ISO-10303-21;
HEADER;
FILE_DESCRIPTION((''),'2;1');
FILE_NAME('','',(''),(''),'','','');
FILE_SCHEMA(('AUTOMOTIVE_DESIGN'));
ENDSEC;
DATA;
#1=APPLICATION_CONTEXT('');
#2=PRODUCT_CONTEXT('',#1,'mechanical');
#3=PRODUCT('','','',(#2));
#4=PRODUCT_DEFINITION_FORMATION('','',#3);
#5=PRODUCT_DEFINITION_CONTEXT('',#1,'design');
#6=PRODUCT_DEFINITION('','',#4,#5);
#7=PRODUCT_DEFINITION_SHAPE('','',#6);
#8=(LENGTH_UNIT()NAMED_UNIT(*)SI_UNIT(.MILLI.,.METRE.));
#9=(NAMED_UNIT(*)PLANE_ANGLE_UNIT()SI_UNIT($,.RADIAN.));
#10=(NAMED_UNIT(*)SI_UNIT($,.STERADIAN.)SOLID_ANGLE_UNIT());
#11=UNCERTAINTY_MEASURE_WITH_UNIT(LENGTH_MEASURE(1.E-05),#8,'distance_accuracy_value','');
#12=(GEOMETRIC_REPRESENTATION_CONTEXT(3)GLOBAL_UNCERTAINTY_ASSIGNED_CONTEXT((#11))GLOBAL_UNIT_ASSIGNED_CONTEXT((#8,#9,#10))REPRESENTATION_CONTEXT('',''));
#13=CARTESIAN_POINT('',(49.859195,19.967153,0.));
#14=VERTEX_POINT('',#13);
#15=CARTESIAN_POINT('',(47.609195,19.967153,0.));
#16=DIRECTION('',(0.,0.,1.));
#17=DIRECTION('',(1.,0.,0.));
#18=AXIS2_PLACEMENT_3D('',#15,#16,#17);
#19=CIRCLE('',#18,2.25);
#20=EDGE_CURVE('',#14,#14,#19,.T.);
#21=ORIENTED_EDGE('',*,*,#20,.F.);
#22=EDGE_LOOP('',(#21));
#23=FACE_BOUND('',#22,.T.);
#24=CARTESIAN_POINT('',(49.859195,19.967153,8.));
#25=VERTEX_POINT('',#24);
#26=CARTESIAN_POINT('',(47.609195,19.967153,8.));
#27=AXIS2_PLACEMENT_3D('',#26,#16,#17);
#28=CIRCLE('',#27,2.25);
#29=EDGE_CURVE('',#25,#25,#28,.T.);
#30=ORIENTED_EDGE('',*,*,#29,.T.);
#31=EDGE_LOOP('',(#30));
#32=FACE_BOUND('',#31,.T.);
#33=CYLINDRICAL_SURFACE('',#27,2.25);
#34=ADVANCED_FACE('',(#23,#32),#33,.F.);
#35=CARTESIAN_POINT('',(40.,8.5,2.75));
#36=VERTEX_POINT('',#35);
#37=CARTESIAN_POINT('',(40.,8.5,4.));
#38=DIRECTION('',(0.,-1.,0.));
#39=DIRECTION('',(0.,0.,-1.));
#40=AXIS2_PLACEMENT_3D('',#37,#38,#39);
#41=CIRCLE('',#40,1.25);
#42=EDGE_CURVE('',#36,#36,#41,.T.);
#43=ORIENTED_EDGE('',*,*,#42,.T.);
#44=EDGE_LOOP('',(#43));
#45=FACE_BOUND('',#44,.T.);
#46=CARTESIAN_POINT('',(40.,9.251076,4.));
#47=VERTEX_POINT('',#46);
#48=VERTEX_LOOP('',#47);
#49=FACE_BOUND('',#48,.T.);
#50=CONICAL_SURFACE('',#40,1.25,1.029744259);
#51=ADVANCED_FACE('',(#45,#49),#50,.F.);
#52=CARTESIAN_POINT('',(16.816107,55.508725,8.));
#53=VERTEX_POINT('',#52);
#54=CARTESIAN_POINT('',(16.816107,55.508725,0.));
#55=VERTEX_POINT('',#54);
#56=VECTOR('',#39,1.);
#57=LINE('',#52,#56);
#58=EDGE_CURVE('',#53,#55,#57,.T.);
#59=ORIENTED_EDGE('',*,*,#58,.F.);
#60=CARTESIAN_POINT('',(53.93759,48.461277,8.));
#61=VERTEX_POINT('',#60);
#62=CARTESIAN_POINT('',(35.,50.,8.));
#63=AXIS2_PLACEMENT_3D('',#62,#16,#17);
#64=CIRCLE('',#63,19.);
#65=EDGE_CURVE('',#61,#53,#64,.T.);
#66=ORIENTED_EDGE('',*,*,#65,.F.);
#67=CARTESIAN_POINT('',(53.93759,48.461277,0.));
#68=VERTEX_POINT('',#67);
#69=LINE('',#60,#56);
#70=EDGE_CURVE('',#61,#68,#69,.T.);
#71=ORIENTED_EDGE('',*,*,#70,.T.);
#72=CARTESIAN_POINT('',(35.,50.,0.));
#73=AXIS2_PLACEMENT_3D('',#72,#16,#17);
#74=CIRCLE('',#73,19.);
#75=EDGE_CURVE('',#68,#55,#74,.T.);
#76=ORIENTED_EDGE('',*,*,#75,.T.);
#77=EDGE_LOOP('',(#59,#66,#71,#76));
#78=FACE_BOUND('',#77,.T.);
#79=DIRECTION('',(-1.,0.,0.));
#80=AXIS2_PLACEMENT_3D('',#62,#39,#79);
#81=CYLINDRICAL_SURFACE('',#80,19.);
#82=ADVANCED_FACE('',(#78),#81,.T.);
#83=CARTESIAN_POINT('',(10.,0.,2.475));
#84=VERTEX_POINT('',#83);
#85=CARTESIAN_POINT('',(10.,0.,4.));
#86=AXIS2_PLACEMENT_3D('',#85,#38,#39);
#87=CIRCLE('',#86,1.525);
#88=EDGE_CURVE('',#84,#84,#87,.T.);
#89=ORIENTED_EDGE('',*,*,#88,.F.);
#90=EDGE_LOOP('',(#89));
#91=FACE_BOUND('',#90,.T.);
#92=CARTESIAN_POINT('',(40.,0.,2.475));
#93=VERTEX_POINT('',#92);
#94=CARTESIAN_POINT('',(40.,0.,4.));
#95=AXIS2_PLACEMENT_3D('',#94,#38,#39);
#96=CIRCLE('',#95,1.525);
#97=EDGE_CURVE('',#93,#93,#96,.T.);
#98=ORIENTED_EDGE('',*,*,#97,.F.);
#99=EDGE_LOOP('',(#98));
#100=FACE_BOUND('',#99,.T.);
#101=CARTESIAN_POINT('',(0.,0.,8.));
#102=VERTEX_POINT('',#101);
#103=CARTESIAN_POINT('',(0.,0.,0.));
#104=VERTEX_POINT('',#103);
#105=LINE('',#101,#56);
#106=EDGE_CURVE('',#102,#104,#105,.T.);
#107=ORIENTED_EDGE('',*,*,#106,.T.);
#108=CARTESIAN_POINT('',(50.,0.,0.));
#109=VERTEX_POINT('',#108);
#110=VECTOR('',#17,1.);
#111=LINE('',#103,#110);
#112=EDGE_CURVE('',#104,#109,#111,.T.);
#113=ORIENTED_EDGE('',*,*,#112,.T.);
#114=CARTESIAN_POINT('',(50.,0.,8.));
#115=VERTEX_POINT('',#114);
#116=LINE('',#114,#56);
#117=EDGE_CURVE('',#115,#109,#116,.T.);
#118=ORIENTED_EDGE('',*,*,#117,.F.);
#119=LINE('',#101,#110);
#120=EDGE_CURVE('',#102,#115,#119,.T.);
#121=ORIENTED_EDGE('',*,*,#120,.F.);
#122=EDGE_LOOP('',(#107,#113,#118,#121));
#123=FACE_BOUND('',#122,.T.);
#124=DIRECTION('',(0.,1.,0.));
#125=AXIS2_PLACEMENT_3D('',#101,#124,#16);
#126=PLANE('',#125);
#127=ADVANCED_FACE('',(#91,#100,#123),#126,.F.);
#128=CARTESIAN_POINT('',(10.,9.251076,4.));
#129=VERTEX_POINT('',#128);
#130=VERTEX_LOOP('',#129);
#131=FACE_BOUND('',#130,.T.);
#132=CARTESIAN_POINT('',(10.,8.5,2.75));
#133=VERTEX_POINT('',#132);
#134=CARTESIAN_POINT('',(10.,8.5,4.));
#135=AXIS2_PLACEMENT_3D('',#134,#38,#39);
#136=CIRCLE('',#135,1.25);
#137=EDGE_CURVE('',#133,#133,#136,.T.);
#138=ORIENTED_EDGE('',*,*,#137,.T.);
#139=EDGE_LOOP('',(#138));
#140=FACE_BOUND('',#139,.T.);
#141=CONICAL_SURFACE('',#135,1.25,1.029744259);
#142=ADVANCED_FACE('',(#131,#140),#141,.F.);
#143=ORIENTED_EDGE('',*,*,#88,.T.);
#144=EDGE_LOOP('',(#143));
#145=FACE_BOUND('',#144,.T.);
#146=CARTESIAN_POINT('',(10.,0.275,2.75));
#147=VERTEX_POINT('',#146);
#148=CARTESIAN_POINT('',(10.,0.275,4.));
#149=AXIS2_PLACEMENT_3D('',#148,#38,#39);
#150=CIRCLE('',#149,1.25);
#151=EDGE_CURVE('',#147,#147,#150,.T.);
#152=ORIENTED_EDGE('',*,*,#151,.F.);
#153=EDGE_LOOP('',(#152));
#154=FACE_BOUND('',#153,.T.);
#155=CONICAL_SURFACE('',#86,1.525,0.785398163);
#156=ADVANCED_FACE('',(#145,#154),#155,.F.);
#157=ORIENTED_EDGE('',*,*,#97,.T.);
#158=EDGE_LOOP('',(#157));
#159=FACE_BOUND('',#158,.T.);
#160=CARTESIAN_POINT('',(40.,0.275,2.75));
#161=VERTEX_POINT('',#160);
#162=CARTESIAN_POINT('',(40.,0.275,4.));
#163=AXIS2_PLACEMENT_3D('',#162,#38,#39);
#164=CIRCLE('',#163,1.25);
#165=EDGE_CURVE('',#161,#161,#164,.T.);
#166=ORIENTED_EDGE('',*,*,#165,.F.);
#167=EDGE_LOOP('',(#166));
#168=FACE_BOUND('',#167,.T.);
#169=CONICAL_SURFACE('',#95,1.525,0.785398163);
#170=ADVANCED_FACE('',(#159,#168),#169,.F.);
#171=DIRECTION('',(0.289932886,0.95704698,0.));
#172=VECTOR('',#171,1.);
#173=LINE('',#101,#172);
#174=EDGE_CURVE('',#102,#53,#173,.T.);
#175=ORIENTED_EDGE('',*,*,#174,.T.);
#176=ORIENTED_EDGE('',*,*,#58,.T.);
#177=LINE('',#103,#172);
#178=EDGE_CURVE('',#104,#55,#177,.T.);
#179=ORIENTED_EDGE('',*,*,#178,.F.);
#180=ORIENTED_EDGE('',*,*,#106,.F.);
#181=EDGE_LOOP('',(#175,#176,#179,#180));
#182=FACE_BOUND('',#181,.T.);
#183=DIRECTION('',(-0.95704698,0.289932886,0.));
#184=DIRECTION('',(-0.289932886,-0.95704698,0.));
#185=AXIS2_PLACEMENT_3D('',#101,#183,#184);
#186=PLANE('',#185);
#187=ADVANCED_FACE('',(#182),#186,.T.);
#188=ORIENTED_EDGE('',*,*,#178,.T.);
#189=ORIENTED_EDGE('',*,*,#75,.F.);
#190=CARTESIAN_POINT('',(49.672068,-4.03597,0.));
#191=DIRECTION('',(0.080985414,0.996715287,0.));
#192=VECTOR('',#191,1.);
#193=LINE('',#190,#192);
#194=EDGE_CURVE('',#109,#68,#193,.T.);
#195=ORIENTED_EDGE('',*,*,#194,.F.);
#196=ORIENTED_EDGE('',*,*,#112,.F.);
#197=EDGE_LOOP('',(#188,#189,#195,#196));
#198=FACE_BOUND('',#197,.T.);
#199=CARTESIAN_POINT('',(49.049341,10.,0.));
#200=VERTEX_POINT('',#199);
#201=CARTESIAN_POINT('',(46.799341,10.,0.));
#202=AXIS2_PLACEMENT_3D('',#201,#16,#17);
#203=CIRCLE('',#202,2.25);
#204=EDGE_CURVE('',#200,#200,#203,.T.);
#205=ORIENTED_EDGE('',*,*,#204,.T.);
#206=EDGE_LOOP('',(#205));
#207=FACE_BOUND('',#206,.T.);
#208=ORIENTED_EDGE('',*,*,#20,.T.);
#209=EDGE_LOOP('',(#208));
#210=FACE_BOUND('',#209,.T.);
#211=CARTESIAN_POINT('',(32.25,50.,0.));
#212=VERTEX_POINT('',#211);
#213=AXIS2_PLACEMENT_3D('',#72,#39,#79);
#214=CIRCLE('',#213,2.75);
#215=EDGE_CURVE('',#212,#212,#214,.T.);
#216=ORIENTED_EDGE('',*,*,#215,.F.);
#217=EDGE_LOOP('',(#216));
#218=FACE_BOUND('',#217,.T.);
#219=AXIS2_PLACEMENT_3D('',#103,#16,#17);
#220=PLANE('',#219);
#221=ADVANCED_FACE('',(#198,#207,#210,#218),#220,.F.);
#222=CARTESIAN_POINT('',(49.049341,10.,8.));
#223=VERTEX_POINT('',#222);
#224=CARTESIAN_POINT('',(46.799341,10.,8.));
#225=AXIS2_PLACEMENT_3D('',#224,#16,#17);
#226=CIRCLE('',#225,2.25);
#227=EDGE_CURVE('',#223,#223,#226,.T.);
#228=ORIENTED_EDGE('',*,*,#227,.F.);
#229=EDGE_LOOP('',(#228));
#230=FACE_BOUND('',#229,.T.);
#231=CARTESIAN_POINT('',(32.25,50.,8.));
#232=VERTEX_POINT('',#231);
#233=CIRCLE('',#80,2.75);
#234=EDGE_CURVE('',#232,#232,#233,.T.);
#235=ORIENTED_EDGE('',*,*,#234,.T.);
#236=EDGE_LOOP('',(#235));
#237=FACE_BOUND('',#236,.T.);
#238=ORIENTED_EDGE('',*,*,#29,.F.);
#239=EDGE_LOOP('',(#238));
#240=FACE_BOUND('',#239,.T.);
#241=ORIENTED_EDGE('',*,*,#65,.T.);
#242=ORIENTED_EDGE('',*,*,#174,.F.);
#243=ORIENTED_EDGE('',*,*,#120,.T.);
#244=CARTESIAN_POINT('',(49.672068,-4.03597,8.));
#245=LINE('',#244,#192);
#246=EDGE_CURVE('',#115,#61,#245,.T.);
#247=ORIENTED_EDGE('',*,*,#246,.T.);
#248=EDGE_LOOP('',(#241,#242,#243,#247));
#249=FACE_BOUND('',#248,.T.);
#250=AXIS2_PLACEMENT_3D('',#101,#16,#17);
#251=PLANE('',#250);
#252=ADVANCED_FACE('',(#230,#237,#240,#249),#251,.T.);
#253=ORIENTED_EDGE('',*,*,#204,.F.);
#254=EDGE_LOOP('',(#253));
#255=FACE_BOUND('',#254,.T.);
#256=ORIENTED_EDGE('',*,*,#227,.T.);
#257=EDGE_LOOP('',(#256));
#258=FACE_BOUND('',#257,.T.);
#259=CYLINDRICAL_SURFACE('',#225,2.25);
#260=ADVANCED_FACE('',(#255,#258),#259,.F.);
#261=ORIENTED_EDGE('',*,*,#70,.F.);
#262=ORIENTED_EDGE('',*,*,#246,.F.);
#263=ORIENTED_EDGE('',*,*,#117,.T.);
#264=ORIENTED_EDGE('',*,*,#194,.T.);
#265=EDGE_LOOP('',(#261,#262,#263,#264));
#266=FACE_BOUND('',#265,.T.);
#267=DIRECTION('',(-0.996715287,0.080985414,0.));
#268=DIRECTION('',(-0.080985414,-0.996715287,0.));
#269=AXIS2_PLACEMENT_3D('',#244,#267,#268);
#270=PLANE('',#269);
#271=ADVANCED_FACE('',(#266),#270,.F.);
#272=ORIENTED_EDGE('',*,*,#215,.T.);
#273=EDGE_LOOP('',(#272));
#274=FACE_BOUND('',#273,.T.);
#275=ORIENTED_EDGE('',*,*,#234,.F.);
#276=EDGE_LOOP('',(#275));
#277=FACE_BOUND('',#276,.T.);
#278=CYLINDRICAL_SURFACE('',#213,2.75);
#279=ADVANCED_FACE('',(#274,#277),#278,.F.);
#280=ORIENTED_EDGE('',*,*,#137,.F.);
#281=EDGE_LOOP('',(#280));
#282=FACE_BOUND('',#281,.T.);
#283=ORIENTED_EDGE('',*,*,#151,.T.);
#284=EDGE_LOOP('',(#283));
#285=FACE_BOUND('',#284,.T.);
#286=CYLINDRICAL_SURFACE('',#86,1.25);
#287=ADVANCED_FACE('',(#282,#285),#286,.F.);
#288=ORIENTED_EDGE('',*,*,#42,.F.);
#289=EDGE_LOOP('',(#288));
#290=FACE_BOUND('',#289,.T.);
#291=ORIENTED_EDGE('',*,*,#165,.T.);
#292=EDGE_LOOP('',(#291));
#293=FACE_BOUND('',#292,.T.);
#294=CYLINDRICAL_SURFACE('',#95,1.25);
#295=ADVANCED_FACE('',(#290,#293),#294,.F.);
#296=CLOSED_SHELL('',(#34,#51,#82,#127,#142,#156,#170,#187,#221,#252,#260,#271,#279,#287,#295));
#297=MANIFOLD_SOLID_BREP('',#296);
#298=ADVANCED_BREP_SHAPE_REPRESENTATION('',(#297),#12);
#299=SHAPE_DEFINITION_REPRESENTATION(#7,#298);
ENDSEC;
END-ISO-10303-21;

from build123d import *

# Parameters (mm, degrees)
EXTRUDE_1_DEPTH              = 8
HOLE_WIZARD_M4_1_D           = 4.5
HOLE_WIZARD_M3_1_D           = 2.5
HOLE_WIZARD_M3_1_DEPTH       = 8.5
HOLE_WIZARD_M3_1_CSINK_D     = 3.05
HOLE_WIZARD_M3_1_CSINK_ANGLE = 90
HOLE_WIZARD_M3_1_TIP         = 0.751075774
HOLE_WIZARD_M5_1_D           = 5.5


with BuildPart() as part:
    # 스케치1 → 보스-돌출1 (new body)
    with BuildSketch(Plane.XY):
        with BuildLine():
            Line((16.816107383, 55.508724832), (0, 0))
            Line((0, 0), (50, 0))
            Line((50, 0), (53.937590447, 48.461277134))
            ThreePointArc((53.937590447, 48.461277134), (31.456182162, 31.333416083), (16.816107383, 55.508724832))
        make_face()
        with BuildLine():
            ThreePointArc((54, 50), (37.784424561, 68.794865785), (16.816107383, 55.508724832))
            ThreePointArc((16.816107383, 55.508724832), (31.456182162, 31.333416083), (53.937590447, 48.461277134))
            ThreePointArc((53.937590447, 48.461277134), (53.9843912, 49.230006005), (54, 50))
        make_face()
    extrude(amount=EXTRUDE_1_DEPTH)

    # M4 여유 구멍1 (through all)
    with Locations(Plane.XY.offset(8)):
        with Locations((46.799340892, 10), (47.609195032, 19.967152867)):
            Hole(HOLE_WIZARD_M4_1_D / 2)

    # M3 나사 구멍1
    with Locations(Plane(origin=(0, 0, 0), x_dir=(-1, 0, 0), z_dir=(0, -1, 0))):
        with Locations((-10, -4), (-40, -4)):
            CounterSinkHole(HOLE_WIZARD_M3_1_D / 2, HOLE_WIZARD_M3_1_CSINK_D / 2, depth=HOLE_WIZARD_M3_1_DEPTH, counter_sink_angle=HOLE_WIZARD_M3_1_CSINK_ANGLE)
            with Locations((0, 0, -(HOLE_WIZARD_M3_1_DEPTH + HOLE_WIZARD_M3_1_TIP / 2))):  # 118° drill point
                Cone(0, HOLE_WIZARD_M3_1_D / 2, HOLE_WIZARD_M3_1_TIP, mode=Mode.SUBTRACT)

    # M5 여유 구멍1 (through all)
    with Locations(Plane(origin=(0, 0, 0), x_dir=(-1, 0, 0), z_dir=(0, 0, -1))):
        with Locations((-35, 50)):
            Hole(HOLE_WIZARD_M5_1_D / 2)


solid = part.part
